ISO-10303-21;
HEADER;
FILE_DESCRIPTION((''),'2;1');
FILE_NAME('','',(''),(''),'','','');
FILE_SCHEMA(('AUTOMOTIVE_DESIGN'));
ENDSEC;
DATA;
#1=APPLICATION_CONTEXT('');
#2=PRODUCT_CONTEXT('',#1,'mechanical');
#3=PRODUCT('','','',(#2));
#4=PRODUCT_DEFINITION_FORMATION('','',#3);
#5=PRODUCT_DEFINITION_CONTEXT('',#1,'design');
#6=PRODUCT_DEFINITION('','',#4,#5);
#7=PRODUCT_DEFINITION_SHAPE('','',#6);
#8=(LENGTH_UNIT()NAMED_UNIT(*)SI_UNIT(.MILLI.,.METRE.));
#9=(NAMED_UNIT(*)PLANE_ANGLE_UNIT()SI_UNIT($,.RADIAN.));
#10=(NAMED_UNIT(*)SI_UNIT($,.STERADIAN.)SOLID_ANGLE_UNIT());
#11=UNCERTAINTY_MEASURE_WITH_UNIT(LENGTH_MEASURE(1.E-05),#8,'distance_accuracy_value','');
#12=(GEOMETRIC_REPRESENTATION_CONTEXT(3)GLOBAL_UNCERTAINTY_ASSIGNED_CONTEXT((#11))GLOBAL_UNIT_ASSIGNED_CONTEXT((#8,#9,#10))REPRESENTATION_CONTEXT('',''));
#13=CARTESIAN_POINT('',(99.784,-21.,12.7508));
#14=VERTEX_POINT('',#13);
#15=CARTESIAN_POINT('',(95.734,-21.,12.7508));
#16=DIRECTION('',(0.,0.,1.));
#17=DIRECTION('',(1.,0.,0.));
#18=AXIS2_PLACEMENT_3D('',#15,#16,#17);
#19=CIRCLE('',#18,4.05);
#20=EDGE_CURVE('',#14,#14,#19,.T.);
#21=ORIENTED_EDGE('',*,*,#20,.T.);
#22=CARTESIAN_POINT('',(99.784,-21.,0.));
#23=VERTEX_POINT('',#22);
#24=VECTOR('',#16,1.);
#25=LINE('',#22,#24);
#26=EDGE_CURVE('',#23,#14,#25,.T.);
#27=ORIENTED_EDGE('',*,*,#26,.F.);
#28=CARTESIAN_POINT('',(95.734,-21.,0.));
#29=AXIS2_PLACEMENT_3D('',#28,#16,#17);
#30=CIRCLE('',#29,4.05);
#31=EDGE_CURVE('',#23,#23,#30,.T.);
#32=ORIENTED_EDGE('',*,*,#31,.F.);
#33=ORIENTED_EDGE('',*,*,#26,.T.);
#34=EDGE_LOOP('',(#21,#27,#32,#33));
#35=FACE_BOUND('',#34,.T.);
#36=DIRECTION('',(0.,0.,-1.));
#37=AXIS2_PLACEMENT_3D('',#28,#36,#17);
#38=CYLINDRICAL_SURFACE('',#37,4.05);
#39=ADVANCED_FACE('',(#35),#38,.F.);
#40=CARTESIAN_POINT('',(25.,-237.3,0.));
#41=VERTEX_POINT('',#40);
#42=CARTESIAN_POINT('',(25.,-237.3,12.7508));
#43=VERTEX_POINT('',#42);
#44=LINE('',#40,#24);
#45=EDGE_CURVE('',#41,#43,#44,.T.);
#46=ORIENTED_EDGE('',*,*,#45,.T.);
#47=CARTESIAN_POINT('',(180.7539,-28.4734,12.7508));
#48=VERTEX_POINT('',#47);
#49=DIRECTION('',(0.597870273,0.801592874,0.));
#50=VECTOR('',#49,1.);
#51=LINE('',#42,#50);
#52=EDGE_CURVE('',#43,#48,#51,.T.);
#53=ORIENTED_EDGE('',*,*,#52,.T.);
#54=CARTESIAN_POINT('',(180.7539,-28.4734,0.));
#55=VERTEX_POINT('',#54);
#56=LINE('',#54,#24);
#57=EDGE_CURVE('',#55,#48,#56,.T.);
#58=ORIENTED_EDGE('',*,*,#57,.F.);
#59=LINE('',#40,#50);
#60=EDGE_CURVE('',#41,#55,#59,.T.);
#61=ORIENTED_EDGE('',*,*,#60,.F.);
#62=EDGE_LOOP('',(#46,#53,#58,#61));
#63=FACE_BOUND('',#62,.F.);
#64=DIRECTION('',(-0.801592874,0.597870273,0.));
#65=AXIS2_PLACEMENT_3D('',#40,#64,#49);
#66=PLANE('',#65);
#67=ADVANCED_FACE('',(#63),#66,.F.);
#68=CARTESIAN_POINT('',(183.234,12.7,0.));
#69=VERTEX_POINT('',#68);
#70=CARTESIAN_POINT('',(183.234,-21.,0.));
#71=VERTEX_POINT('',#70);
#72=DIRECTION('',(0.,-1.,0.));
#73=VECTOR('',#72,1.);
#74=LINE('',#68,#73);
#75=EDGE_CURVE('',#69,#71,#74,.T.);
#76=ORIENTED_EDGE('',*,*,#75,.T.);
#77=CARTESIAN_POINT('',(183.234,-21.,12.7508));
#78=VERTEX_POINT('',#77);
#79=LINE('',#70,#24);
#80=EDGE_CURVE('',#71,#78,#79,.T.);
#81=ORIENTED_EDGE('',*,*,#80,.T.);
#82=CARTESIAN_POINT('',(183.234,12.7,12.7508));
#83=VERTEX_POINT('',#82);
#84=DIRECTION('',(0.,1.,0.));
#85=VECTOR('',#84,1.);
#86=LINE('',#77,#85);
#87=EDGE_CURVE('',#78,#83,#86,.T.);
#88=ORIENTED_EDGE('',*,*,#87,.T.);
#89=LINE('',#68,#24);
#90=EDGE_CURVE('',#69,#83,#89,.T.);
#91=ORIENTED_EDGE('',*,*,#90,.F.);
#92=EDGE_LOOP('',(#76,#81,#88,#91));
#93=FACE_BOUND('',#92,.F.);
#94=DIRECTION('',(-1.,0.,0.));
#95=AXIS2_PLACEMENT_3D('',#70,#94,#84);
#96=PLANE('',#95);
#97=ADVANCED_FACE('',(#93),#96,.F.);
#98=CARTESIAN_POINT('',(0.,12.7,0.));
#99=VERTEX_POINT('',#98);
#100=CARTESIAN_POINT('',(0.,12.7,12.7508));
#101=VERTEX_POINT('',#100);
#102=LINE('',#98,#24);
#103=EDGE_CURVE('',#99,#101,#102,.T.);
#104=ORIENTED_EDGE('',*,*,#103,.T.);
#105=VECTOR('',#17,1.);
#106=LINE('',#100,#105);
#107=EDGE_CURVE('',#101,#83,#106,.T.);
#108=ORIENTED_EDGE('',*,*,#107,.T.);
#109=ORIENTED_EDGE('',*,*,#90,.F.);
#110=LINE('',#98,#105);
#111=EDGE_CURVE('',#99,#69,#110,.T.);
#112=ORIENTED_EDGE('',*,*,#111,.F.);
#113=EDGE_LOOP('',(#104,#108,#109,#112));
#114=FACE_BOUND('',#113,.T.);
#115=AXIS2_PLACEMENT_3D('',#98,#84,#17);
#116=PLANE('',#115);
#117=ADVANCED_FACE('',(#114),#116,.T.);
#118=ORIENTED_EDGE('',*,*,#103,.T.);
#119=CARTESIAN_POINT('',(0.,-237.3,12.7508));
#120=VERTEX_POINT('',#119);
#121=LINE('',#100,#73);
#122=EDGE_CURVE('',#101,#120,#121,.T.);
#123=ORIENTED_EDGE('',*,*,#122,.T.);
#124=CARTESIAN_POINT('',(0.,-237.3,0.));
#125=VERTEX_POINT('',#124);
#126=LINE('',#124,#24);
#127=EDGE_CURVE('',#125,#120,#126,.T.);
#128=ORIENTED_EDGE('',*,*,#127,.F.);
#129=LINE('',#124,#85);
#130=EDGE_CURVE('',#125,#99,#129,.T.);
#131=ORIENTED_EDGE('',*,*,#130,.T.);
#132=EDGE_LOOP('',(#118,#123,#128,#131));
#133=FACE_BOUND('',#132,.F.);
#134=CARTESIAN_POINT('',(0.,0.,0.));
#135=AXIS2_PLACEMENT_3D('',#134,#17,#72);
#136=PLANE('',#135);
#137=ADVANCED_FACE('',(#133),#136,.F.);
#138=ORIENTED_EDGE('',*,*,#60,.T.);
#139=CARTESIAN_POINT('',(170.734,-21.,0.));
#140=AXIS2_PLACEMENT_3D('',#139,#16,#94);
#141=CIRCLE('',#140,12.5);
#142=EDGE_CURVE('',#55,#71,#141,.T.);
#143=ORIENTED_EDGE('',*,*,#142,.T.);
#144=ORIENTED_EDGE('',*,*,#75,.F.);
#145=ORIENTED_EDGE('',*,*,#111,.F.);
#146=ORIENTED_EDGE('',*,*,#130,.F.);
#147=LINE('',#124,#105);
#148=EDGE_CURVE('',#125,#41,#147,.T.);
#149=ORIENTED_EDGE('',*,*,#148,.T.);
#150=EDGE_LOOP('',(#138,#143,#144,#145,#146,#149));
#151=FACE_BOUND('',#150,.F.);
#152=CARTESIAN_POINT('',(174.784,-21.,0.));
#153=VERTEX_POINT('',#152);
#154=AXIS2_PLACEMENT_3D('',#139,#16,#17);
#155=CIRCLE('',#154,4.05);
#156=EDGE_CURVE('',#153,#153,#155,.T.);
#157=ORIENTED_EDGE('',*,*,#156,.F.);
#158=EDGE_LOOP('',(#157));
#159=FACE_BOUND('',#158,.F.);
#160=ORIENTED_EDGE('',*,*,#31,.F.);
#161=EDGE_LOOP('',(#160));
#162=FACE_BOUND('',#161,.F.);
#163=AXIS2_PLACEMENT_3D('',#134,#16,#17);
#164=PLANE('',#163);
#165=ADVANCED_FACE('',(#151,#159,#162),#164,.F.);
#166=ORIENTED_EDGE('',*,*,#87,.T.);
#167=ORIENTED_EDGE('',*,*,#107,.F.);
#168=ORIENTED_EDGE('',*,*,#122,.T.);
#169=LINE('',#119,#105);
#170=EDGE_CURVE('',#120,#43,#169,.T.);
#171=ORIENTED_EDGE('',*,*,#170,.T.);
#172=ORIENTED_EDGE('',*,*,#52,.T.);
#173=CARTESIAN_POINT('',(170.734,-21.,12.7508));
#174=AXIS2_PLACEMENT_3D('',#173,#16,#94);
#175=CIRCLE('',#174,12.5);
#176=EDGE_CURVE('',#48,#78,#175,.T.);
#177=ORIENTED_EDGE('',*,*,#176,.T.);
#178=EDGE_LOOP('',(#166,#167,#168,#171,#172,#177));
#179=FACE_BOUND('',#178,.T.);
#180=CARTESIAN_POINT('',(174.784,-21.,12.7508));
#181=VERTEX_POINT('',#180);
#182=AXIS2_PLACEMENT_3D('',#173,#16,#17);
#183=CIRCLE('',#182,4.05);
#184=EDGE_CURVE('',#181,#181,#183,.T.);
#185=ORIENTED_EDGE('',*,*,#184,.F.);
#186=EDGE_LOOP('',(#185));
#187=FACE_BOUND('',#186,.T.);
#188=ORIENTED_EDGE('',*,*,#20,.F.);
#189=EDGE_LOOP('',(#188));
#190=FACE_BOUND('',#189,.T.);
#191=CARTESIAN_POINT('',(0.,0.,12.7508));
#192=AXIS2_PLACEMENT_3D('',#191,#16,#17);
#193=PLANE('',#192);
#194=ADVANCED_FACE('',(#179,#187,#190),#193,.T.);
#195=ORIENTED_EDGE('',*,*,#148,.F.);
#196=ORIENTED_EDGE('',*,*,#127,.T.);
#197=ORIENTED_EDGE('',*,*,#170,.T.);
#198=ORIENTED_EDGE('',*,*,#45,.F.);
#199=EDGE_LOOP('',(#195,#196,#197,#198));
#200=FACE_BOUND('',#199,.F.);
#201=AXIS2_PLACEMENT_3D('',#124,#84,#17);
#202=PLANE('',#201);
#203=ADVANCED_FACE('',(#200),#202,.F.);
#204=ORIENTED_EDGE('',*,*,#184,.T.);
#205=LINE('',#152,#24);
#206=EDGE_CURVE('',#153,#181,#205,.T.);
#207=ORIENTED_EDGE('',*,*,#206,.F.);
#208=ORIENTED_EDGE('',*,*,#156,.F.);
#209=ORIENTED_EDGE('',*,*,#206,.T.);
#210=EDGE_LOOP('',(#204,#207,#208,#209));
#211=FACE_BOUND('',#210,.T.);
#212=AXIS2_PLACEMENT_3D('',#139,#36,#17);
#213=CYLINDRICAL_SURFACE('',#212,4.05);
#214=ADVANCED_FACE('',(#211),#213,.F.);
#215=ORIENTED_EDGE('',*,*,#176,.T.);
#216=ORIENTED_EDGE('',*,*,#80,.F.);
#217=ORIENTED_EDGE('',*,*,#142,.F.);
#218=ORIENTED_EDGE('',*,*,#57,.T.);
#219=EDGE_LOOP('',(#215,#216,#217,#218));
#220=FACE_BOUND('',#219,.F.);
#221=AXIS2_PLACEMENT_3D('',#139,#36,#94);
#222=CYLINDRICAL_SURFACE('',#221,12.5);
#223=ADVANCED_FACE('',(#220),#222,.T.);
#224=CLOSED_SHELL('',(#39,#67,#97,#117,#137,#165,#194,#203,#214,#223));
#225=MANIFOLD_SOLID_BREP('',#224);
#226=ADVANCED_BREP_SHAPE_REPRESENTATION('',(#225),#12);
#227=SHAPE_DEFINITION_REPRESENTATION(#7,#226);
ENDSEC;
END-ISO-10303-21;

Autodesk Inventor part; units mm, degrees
ref_plane "YZ Plane" through (0, 0, 0) normal (1, 0, 0) x (0, 1, 0)
ref_plane "XZ Plane" through (0, 0, 0) normal (0, 1, 0) x (-1, 0, 0)
ref_plane "XY Plane" through (0, 0, 0) normal (0, 0, 1) x (1, 0, 0)
ref_plane "Work Plane1" through (0, 0, 0) normal (0, 0, 1) x (1, 0, 0)
sketch "Sketch1" plane through (0, 0, 0) normal (0, 0, 1) x (1, 0, 0)
  circle A0 centre (95.734, -21) radius 4.05 projected
  circle A1 centre (170.734, -21) radius 4.05 projected
  line L0 (78.234, -5) -> (78.234, 0) projected
  arc A2 (83.234, -10) -> (78.234, -5) centre (78.234, -10) ccw projected
  line L1 (83.234, -10) -> (83.234, -21) projected
  arc A3 (83.234, -21) -> (108.234, -21) centre (95.734, -21) ccw projected
  line L2 (108.234, -21) -> (108.234, -10) projected
  arc A4 (113.234, -5) -> (108.234, -10) centre (113.234, -10) ccw projected
  line L3 (113.234, -5) -> (153.234, -5) projected
  arc A5 (158.234, -10) -> (153.234, -5) centre (153.234, -10) ccw projected
  line L4 (158.234, -10) -> (158.234, -21) projected
  arc A6 (158.234, -21) -> (183.234, -21) centre (170.734, -21) ccw projected
  line L5 (183.234, -21) -> (183.234, -10) projected
  arc A7 (188.234, -5) -> (183.234, -10) centre (188.234, -10) ccw projected
  line L6 (188.234, 0) -> (188.234, -5) projected
  line L7 (78.234, 0) -> (188.234, 0) projected
  line L8 (437.5, 12.7) -> (437.5, 0) projected
  line L9 (0, 12.7) -> (437.5, 12.7) projected
  line L10 (0, 0) -> (0, 12.7) projected
  line L11 (437.5, 0) -> (0, 0) projected
  line L12 (0, 12.7) -> (0, -237.3)
  line L13 (0, -237.3) -> (25, -237.3)
  line L14 (25, -237.3) -> (180.7539, -28.4734)
  line L15 (183.234, -10) -> (183.234, 12.7)
  line L16 (183.234, 12.7) -> (0, 12.7)
  dimension "d0" = 25
  dimension "d2" = 250
extrude "Extrusion1" add sketch "Sketch1" along normal blind 12.7508 contours A2 L1 A3 L2 A4 L3 A5 L4 A6 L14 L13 L12 L11 L0 | L0 L7 L15 L5 A6 L4 A5 L3 A4 L2 A3 L1 A2 | L11 L10 L9 L15 L7
properties part number "support"
